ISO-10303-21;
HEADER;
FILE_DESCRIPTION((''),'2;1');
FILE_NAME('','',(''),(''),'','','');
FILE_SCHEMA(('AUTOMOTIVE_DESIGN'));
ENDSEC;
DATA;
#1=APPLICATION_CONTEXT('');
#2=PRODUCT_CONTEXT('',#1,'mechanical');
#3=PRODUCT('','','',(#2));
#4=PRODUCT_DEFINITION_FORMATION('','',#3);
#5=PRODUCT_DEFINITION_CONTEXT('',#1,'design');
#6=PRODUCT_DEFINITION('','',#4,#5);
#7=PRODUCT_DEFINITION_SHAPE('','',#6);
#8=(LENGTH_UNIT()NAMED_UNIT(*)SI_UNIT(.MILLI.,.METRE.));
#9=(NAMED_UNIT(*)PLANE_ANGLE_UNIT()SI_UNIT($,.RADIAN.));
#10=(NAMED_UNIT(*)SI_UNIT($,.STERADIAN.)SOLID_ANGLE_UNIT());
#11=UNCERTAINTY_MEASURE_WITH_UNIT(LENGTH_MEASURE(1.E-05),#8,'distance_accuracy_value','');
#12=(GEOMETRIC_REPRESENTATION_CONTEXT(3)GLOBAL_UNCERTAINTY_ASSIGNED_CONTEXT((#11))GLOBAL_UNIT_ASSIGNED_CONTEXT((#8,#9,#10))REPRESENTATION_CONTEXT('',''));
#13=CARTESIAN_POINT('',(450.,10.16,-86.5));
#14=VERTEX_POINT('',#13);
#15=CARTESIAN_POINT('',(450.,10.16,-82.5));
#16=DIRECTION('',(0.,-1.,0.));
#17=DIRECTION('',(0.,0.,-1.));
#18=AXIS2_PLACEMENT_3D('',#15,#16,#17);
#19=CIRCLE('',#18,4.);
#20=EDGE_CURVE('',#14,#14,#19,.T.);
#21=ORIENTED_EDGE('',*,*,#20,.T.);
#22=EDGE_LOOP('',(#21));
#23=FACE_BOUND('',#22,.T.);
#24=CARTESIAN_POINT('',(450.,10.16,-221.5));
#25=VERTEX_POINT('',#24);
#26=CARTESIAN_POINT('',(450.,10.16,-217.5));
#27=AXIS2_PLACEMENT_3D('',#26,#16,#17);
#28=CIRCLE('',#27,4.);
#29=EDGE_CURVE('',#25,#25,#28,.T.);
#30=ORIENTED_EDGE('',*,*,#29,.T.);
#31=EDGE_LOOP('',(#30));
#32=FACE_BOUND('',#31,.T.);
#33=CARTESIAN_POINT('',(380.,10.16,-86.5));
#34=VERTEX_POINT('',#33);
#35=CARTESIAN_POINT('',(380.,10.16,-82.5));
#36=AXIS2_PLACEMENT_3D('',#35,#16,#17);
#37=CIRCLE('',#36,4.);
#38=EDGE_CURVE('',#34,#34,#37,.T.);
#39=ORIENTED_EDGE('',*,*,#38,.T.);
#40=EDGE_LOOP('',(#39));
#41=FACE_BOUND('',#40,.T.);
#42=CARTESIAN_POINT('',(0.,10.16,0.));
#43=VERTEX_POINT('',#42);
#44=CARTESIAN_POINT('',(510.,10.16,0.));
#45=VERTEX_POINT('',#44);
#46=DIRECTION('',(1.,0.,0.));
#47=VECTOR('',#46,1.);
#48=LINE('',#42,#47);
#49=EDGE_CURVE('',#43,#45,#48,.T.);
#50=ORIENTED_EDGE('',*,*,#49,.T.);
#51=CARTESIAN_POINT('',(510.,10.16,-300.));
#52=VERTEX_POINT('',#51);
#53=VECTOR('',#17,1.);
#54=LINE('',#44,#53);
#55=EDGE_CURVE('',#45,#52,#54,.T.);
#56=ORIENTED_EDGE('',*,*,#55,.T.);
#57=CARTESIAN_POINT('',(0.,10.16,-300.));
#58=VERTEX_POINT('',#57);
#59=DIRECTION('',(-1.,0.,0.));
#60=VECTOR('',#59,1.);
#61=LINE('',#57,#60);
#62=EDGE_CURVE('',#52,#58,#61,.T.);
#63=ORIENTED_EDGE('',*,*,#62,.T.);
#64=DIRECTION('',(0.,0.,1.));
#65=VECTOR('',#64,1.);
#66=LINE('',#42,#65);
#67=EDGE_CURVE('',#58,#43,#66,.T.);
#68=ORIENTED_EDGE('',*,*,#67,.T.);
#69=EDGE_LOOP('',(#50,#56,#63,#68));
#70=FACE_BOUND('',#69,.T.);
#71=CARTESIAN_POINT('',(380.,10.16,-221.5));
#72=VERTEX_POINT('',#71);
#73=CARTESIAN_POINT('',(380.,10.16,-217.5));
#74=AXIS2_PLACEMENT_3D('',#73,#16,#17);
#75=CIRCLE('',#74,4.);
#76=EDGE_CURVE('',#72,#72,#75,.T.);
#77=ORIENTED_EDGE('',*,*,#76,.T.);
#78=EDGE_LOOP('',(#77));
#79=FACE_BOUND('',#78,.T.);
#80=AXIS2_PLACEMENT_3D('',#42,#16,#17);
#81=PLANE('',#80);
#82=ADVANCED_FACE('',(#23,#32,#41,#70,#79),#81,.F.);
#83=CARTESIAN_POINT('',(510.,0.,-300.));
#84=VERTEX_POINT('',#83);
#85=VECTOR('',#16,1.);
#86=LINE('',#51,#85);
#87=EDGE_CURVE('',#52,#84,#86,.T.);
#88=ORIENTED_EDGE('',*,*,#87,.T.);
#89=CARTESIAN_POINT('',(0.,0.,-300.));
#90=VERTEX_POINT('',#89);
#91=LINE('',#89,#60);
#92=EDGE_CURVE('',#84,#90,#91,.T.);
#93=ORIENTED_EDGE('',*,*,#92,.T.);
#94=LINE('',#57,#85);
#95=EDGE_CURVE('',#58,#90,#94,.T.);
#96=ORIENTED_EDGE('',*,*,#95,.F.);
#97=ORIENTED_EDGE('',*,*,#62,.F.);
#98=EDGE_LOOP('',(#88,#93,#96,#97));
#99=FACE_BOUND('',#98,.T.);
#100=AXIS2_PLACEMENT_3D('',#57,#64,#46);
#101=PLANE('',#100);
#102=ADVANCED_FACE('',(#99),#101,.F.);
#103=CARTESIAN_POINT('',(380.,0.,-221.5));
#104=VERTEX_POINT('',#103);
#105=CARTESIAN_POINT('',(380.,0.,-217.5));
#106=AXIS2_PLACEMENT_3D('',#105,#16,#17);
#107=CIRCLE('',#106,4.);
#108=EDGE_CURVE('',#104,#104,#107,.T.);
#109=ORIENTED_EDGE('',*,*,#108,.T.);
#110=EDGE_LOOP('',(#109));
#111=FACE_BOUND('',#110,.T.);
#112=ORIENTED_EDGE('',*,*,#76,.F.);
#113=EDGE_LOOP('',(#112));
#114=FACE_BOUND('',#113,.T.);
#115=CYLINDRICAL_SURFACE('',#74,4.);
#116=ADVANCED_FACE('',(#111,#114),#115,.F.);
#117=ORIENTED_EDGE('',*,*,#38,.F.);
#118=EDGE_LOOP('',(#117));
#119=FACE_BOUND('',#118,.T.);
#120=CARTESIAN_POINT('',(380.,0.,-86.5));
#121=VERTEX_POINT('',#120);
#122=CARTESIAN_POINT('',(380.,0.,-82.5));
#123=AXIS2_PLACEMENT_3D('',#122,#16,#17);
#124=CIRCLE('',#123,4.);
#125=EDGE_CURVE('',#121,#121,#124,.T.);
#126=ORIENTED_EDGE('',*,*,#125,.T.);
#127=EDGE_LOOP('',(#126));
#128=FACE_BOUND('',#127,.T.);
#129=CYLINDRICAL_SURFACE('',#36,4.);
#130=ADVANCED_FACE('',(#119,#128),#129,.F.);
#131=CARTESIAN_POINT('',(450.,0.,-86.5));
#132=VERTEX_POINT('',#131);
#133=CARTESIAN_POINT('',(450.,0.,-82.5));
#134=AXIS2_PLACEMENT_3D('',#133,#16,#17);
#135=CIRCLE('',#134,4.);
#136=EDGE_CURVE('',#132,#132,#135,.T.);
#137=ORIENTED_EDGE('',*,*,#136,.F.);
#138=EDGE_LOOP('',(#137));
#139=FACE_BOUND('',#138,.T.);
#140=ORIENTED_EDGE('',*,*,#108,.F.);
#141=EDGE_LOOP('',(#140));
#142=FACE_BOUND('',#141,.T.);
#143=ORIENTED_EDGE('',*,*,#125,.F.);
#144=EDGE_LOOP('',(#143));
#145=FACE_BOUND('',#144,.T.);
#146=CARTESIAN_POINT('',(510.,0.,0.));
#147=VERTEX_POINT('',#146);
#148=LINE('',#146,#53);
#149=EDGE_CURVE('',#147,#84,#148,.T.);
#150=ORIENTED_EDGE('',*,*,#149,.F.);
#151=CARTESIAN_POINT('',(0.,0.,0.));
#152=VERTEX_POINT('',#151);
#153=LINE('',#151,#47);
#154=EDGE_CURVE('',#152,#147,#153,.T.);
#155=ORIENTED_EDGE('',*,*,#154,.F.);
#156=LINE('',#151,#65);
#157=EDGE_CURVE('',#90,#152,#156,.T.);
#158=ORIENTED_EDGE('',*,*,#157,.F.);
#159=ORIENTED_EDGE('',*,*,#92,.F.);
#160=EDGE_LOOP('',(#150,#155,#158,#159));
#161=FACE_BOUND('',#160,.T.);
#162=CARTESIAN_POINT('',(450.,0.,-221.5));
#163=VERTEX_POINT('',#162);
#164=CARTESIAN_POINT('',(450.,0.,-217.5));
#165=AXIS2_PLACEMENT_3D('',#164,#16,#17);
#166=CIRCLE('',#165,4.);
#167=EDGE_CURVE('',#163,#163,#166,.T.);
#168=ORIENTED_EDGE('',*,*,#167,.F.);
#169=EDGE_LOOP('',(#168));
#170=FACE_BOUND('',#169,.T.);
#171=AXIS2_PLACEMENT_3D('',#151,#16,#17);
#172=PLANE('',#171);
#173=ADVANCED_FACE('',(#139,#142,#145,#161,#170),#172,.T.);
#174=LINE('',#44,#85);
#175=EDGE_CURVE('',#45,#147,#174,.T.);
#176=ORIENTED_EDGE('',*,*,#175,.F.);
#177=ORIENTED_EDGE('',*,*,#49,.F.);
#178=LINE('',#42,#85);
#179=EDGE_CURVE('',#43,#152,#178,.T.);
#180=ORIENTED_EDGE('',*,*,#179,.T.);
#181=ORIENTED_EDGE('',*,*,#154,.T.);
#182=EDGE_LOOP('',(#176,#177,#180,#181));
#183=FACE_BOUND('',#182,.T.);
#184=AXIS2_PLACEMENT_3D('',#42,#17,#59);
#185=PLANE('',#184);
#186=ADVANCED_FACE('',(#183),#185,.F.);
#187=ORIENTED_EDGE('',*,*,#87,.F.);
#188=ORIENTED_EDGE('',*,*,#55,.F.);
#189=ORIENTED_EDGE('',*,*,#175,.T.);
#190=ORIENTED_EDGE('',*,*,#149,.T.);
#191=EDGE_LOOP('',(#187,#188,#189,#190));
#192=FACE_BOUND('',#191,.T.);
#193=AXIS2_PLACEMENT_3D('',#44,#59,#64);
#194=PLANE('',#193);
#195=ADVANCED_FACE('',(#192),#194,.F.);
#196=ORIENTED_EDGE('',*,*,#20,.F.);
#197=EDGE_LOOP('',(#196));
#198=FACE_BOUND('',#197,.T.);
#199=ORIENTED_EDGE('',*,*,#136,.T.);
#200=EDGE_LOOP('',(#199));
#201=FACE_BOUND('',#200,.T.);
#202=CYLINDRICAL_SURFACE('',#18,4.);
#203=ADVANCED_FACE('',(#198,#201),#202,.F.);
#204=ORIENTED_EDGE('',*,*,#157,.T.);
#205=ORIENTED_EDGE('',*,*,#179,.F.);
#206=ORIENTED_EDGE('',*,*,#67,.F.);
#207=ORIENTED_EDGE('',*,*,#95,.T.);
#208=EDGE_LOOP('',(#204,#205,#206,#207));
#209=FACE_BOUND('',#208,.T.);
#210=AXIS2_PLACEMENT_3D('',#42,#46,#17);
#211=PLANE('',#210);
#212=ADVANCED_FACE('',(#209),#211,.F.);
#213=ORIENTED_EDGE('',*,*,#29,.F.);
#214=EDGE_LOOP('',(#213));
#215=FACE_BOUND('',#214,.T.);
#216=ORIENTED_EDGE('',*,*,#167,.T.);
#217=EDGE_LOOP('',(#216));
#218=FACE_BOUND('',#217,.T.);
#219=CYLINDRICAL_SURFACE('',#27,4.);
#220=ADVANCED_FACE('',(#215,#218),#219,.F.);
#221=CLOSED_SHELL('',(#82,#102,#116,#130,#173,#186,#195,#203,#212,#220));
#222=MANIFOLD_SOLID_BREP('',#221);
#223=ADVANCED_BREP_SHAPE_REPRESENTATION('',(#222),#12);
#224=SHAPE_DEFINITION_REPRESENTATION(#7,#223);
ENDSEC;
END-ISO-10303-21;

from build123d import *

# Parameters (mm, degrees)
SKETCH1_W           = 510
SKETCH1_H           = 300
BOSS_EXTRUDE1_DEPTH = 10.16
SKETCH2_R           = 4
CUT_EXTRUDE1_DEPTH  = 592.779710365


with BuildPart() as part:
    # Sketch1 → Boss-Extrude1 (new body)
    with BuildSketch(Plane(origin=(0, 0, 0), x_dir=(1, 0, 0), z_dir=(0, 1, 0))):
        with Locations((255, 150)):
            Rectangle(SKETCH1_W, SKETCH1_H)
    extrude(amount=BOSS_EXTRUDE1_DEPTH)

    # Sketch2 → Cut-Extrude1 (cut, through all)
    with BuildSketch(Plane.XZ):
        with Locations(Location((380, -217.5, 0), (0, 0, 270))):
            Circle(SKETCH2_R)
        with Locations(Location((380, -82.5, 0), (0, 0, 270))):
            Circle(SKETCH2_R)
        with Locations(Location((450, -82.5, 0), (0, 0, 270))):
            Circle(SKETCH2_R)
        with Locations(Location((450, -217.5, 0), (0, 0, 270))):
            Circle(SKETCH2_R)
    extrude(amount=-CUT_EXTRUDE1_DEPTH, mode=Mode.SUBTRACT)


solid = part.part
